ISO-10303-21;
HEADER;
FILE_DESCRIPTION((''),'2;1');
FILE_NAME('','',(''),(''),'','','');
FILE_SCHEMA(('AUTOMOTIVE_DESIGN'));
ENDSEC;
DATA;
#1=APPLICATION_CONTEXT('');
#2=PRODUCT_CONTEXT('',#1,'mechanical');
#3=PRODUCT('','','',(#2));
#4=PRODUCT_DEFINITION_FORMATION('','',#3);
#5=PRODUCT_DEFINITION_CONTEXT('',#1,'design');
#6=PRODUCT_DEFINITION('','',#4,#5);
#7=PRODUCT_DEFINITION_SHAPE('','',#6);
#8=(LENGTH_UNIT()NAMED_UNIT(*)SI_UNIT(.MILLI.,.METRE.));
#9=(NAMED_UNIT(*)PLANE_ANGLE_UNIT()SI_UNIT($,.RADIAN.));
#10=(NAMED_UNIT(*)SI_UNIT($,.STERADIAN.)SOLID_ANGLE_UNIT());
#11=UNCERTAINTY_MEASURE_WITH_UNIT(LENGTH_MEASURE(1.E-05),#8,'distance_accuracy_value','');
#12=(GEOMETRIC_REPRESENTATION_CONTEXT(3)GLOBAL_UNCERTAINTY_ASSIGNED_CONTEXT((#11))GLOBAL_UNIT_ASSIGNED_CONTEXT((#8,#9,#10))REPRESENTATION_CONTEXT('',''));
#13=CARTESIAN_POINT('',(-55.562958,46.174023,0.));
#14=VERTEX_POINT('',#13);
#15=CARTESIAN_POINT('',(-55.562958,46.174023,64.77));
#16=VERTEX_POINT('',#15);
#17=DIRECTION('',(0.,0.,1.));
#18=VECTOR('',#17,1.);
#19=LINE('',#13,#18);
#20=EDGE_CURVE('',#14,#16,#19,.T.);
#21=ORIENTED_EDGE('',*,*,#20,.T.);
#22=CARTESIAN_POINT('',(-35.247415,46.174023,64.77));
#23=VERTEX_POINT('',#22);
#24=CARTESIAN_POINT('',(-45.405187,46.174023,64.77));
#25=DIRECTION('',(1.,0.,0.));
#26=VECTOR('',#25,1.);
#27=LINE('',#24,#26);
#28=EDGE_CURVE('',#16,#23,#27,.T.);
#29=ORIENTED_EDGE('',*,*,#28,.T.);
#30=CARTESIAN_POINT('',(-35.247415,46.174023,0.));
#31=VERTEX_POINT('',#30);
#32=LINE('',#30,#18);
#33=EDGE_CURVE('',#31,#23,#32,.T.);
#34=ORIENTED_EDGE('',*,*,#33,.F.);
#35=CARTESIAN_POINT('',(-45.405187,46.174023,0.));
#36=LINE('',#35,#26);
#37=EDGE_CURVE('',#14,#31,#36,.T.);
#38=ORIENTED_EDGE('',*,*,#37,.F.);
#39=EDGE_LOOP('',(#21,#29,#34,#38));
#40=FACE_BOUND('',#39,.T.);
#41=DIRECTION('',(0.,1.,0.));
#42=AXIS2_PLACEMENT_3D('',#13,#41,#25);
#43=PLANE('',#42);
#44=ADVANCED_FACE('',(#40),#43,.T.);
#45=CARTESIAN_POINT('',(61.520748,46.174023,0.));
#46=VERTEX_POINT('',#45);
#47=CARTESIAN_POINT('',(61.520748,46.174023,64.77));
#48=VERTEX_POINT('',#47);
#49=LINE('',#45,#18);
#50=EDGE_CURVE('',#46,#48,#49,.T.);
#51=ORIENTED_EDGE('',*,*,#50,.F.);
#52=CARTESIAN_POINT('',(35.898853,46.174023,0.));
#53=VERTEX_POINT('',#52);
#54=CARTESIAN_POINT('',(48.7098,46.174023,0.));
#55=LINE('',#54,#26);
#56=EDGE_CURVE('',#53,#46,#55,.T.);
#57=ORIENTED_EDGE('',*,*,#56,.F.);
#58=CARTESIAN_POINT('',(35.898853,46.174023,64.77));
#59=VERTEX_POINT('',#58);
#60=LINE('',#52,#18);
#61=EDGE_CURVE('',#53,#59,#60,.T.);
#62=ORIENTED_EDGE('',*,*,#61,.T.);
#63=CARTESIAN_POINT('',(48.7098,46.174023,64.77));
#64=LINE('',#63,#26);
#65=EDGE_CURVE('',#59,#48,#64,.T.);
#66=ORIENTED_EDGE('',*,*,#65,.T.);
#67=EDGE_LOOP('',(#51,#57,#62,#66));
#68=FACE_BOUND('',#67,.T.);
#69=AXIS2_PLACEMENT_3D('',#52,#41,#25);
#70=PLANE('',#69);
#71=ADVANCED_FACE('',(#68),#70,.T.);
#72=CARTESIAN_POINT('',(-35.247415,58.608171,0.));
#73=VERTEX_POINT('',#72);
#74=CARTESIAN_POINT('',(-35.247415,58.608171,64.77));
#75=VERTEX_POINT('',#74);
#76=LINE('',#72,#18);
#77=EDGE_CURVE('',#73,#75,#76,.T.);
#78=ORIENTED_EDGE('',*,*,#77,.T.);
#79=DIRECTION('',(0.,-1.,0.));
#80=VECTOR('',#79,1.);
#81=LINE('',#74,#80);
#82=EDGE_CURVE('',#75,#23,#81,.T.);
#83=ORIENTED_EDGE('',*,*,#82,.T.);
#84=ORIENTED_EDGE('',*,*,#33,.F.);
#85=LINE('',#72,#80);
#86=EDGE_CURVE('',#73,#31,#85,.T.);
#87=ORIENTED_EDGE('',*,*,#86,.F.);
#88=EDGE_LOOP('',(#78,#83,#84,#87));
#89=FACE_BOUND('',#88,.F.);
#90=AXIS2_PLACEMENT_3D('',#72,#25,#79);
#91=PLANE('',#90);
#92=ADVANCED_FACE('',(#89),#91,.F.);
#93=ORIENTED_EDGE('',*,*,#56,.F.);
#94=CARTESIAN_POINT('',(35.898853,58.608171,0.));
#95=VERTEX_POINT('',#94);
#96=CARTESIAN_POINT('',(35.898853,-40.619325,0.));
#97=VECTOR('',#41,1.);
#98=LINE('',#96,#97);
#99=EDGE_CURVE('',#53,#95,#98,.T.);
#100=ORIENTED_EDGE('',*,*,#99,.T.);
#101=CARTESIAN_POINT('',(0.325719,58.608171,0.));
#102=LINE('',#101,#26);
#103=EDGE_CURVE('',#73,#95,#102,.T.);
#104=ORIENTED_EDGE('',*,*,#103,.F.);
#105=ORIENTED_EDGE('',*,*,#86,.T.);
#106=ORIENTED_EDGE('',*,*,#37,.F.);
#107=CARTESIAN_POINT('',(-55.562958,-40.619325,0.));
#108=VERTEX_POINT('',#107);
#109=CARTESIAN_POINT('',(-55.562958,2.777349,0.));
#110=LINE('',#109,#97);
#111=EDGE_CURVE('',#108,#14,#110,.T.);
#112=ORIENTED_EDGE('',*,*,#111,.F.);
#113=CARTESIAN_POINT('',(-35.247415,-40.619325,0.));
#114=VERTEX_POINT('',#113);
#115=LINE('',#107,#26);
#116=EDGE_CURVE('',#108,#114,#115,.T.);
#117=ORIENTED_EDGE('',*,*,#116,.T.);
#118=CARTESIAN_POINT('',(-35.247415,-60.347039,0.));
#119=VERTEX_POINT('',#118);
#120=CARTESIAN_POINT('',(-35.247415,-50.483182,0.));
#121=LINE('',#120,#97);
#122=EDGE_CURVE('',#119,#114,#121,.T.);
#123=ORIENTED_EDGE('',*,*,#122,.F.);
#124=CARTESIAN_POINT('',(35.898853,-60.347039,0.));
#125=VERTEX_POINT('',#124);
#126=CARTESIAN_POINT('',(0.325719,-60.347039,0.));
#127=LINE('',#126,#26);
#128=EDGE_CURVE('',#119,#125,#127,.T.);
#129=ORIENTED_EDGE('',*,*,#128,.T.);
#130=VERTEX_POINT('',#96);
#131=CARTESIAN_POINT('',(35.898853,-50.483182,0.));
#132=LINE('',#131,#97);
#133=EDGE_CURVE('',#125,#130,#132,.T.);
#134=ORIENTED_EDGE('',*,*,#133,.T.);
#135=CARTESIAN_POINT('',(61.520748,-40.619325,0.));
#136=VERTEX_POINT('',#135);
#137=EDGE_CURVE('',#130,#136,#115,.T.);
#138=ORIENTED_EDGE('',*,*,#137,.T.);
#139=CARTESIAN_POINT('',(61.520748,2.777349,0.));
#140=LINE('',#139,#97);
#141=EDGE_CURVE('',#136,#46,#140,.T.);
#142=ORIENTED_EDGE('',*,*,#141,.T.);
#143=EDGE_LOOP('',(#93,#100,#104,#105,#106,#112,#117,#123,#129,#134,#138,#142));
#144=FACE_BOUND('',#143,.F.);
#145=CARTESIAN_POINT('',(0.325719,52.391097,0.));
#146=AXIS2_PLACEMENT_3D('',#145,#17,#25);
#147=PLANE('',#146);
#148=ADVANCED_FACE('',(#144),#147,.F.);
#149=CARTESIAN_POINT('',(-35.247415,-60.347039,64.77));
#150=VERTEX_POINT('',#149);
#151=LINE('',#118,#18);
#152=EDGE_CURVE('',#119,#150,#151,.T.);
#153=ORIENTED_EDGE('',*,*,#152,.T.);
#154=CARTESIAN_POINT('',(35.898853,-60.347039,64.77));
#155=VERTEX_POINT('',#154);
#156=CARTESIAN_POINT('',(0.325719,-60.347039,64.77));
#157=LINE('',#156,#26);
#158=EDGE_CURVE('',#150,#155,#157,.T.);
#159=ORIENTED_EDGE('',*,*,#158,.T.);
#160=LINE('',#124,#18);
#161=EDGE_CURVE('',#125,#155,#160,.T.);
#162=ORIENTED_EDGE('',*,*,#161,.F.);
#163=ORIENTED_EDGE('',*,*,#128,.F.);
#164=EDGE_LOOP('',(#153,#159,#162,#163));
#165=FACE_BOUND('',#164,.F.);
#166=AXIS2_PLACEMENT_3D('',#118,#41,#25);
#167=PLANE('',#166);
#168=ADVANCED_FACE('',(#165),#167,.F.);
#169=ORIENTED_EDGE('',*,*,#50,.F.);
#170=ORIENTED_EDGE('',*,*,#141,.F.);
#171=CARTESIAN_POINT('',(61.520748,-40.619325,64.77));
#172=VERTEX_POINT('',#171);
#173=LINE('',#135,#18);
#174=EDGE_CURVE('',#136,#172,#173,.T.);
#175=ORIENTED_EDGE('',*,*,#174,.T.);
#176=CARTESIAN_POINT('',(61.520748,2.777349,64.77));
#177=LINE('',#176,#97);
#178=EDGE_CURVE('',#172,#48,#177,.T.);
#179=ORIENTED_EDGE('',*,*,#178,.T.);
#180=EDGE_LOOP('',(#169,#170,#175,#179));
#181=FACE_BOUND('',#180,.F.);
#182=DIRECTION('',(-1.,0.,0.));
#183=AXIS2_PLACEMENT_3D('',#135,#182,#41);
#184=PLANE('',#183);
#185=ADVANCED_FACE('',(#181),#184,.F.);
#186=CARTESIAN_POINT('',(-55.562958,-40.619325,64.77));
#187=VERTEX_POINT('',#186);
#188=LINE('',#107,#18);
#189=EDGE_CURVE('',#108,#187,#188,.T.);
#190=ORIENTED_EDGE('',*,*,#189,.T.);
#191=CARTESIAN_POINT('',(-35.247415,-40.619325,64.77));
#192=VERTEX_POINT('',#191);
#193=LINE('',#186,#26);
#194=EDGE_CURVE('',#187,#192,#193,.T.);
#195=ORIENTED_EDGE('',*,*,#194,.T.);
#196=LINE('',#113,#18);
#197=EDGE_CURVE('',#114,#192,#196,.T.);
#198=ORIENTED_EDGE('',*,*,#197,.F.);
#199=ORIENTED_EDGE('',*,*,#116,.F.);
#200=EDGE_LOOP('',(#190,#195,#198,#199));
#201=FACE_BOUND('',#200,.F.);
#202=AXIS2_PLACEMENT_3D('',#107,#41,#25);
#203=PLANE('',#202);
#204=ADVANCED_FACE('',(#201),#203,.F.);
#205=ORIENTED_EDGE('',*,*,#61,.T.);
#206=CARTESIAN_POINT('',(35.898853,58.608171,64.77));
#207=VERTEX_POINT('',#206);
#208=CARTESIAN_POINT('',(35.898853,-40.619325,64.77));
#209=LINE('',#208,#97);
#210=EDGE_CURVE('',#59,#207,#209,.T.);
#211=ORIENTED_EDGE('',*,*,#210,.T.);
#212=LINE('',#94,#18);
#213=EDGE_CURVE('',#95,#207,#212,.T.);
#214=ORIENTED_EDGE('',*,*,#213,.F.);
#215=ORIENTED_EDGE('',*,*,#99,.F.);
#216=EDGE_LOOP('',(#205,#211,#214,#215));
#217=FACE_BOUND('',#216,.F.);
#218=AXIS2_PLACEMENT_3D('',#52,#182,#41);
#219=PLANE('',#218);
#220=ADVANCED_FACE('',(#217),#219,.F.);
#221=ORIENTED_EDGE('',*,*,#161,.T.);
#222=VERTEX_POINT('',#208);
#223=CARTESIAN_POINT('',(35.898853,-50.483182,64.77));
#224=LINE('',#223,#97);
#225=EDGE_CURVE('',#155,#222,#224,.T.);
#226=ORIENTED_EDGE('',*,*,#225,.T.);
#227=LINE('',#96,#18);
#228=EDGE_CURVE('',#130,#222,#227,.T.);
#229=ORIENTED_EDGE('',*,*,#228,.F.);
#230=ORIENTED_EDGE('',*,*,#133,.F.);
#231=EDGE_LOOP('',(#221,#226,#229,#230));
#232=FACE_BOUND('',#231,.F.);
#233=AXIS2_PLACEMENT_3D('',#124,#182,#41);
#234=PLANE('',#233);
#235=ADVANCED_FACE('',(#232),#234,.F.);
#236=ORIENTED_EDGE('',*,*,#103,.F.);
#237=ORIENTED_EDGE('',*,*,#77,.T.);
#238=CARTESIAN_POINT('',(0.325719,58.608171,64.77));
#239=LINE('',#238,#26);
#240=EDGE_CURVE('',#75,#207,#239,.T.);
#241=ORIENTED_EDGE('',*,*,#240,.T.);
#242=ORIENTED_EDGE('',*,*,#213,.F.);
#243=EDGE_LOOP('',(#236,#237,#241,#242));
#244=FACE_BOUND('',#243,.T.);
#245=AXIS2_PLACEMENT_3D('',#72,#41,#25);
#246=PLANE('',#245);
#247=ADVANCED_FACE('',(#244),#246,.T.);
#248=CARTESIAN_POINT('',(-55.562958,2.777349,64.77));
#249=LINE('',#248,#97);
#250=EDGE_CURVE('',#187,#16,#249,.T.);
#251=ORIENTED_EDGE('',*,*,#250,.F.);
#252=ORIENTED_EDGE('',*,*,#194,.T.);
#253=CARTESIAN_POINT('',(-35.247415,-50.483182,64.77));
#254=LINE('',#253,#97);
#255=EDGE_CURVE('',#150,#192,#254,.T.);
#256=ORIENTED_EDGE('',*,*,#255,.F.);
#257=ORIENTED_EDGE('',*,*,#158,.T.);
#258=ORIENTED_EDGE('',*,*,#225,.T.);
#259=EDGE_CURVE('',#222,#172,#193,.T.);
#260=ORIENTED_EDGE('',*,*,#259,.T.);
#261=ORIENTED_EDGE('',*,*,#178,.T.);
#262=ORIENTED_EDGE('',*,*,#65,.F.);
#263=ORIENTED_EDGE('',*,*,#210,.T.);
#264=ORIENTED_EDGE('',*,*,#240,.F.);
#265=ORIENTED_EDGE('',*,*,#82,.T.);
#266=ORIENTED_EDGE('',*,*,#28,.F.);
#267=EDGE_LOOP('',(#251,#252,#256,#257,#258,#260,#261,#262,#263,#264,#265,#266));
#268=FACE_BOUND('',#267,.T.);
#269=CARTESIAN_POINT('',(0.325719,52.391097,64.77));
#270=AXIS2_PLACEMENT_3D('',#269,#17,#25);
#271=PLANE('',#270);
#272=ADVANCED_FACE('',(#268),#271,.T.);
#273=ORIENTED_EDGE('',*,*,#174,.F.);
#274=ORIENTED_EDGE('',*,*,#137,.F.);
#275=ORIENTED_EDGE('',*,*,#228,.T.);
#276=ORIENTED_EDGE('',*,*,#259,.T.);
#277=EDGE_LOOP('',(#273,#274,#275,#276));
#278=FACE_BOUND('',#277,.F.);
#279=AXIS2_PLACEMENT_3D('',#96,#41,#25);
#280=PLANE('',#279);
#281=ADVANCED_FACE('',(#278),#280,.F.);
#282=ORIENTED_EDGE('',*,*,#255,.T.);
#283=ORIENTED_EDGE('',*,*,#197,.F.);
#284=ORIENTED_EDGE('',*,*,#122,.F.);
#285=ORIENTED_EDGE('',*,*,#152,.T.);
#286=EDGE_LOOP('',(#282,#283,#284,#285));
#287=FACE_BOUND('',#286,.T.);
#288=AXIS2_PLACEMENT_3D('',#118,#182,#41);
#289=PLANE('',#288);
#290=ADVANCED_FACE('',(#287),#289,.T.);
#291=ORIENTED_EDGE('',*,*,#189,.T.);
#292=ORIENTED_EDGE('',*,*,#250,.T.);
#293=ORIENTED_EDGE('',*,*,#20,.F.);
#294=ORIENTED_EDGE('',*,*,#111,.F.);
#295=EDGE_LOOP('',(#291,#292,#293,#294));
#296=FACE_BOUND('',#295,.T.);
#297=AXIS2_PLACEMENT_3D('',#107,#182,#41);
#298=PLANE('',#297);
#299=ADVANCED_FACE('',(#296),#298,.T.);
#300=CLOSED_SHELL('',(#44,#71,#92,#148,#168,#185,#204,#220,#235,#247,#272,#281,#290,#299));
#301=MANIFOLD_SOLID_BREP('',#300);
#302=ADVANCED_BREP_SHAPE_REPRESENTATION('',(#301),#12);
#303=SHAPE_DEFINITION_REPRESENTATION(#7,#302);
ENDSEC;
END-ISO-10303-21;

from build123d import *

# Parameters (mm, degrees)
F0_W     = 71.1462683976
F0_H     = 12.4341472983
F0_H_2   = 86.7933481932
F0_W_2   = 20.3155428171
F0_W_3   = 25.621894747
F0_H_3   = 19.7277143598
F1_DEPTH = 64.77


with BuildPart() as f1:
    # F0 (on Top) → F1 (new body)
    with BuildSketch(Plane.XY):
        with Locations((0.3257188946, 52.3910969496)):
            Rectangle(F0_W, F0_H)
        with Locations((0.3257188946, 2.7773492038)):
            Rectangle(F0_W, F0_H_2)
        with Locations((-45.4051867127, 2.7773492038)):
            Rectangle(F0_W_2, F0_H_2)
        with Locations((48.7098004669, 2.7773492038)):
            Rectangle(F0_W_3, F0_H_2)
        with Locations((0.3257188946, -50.4831820726)):
            Rectangle(F0_W, F0_H_3)
    extrude(amount=F1_DEPTH)


solid = f1.part
